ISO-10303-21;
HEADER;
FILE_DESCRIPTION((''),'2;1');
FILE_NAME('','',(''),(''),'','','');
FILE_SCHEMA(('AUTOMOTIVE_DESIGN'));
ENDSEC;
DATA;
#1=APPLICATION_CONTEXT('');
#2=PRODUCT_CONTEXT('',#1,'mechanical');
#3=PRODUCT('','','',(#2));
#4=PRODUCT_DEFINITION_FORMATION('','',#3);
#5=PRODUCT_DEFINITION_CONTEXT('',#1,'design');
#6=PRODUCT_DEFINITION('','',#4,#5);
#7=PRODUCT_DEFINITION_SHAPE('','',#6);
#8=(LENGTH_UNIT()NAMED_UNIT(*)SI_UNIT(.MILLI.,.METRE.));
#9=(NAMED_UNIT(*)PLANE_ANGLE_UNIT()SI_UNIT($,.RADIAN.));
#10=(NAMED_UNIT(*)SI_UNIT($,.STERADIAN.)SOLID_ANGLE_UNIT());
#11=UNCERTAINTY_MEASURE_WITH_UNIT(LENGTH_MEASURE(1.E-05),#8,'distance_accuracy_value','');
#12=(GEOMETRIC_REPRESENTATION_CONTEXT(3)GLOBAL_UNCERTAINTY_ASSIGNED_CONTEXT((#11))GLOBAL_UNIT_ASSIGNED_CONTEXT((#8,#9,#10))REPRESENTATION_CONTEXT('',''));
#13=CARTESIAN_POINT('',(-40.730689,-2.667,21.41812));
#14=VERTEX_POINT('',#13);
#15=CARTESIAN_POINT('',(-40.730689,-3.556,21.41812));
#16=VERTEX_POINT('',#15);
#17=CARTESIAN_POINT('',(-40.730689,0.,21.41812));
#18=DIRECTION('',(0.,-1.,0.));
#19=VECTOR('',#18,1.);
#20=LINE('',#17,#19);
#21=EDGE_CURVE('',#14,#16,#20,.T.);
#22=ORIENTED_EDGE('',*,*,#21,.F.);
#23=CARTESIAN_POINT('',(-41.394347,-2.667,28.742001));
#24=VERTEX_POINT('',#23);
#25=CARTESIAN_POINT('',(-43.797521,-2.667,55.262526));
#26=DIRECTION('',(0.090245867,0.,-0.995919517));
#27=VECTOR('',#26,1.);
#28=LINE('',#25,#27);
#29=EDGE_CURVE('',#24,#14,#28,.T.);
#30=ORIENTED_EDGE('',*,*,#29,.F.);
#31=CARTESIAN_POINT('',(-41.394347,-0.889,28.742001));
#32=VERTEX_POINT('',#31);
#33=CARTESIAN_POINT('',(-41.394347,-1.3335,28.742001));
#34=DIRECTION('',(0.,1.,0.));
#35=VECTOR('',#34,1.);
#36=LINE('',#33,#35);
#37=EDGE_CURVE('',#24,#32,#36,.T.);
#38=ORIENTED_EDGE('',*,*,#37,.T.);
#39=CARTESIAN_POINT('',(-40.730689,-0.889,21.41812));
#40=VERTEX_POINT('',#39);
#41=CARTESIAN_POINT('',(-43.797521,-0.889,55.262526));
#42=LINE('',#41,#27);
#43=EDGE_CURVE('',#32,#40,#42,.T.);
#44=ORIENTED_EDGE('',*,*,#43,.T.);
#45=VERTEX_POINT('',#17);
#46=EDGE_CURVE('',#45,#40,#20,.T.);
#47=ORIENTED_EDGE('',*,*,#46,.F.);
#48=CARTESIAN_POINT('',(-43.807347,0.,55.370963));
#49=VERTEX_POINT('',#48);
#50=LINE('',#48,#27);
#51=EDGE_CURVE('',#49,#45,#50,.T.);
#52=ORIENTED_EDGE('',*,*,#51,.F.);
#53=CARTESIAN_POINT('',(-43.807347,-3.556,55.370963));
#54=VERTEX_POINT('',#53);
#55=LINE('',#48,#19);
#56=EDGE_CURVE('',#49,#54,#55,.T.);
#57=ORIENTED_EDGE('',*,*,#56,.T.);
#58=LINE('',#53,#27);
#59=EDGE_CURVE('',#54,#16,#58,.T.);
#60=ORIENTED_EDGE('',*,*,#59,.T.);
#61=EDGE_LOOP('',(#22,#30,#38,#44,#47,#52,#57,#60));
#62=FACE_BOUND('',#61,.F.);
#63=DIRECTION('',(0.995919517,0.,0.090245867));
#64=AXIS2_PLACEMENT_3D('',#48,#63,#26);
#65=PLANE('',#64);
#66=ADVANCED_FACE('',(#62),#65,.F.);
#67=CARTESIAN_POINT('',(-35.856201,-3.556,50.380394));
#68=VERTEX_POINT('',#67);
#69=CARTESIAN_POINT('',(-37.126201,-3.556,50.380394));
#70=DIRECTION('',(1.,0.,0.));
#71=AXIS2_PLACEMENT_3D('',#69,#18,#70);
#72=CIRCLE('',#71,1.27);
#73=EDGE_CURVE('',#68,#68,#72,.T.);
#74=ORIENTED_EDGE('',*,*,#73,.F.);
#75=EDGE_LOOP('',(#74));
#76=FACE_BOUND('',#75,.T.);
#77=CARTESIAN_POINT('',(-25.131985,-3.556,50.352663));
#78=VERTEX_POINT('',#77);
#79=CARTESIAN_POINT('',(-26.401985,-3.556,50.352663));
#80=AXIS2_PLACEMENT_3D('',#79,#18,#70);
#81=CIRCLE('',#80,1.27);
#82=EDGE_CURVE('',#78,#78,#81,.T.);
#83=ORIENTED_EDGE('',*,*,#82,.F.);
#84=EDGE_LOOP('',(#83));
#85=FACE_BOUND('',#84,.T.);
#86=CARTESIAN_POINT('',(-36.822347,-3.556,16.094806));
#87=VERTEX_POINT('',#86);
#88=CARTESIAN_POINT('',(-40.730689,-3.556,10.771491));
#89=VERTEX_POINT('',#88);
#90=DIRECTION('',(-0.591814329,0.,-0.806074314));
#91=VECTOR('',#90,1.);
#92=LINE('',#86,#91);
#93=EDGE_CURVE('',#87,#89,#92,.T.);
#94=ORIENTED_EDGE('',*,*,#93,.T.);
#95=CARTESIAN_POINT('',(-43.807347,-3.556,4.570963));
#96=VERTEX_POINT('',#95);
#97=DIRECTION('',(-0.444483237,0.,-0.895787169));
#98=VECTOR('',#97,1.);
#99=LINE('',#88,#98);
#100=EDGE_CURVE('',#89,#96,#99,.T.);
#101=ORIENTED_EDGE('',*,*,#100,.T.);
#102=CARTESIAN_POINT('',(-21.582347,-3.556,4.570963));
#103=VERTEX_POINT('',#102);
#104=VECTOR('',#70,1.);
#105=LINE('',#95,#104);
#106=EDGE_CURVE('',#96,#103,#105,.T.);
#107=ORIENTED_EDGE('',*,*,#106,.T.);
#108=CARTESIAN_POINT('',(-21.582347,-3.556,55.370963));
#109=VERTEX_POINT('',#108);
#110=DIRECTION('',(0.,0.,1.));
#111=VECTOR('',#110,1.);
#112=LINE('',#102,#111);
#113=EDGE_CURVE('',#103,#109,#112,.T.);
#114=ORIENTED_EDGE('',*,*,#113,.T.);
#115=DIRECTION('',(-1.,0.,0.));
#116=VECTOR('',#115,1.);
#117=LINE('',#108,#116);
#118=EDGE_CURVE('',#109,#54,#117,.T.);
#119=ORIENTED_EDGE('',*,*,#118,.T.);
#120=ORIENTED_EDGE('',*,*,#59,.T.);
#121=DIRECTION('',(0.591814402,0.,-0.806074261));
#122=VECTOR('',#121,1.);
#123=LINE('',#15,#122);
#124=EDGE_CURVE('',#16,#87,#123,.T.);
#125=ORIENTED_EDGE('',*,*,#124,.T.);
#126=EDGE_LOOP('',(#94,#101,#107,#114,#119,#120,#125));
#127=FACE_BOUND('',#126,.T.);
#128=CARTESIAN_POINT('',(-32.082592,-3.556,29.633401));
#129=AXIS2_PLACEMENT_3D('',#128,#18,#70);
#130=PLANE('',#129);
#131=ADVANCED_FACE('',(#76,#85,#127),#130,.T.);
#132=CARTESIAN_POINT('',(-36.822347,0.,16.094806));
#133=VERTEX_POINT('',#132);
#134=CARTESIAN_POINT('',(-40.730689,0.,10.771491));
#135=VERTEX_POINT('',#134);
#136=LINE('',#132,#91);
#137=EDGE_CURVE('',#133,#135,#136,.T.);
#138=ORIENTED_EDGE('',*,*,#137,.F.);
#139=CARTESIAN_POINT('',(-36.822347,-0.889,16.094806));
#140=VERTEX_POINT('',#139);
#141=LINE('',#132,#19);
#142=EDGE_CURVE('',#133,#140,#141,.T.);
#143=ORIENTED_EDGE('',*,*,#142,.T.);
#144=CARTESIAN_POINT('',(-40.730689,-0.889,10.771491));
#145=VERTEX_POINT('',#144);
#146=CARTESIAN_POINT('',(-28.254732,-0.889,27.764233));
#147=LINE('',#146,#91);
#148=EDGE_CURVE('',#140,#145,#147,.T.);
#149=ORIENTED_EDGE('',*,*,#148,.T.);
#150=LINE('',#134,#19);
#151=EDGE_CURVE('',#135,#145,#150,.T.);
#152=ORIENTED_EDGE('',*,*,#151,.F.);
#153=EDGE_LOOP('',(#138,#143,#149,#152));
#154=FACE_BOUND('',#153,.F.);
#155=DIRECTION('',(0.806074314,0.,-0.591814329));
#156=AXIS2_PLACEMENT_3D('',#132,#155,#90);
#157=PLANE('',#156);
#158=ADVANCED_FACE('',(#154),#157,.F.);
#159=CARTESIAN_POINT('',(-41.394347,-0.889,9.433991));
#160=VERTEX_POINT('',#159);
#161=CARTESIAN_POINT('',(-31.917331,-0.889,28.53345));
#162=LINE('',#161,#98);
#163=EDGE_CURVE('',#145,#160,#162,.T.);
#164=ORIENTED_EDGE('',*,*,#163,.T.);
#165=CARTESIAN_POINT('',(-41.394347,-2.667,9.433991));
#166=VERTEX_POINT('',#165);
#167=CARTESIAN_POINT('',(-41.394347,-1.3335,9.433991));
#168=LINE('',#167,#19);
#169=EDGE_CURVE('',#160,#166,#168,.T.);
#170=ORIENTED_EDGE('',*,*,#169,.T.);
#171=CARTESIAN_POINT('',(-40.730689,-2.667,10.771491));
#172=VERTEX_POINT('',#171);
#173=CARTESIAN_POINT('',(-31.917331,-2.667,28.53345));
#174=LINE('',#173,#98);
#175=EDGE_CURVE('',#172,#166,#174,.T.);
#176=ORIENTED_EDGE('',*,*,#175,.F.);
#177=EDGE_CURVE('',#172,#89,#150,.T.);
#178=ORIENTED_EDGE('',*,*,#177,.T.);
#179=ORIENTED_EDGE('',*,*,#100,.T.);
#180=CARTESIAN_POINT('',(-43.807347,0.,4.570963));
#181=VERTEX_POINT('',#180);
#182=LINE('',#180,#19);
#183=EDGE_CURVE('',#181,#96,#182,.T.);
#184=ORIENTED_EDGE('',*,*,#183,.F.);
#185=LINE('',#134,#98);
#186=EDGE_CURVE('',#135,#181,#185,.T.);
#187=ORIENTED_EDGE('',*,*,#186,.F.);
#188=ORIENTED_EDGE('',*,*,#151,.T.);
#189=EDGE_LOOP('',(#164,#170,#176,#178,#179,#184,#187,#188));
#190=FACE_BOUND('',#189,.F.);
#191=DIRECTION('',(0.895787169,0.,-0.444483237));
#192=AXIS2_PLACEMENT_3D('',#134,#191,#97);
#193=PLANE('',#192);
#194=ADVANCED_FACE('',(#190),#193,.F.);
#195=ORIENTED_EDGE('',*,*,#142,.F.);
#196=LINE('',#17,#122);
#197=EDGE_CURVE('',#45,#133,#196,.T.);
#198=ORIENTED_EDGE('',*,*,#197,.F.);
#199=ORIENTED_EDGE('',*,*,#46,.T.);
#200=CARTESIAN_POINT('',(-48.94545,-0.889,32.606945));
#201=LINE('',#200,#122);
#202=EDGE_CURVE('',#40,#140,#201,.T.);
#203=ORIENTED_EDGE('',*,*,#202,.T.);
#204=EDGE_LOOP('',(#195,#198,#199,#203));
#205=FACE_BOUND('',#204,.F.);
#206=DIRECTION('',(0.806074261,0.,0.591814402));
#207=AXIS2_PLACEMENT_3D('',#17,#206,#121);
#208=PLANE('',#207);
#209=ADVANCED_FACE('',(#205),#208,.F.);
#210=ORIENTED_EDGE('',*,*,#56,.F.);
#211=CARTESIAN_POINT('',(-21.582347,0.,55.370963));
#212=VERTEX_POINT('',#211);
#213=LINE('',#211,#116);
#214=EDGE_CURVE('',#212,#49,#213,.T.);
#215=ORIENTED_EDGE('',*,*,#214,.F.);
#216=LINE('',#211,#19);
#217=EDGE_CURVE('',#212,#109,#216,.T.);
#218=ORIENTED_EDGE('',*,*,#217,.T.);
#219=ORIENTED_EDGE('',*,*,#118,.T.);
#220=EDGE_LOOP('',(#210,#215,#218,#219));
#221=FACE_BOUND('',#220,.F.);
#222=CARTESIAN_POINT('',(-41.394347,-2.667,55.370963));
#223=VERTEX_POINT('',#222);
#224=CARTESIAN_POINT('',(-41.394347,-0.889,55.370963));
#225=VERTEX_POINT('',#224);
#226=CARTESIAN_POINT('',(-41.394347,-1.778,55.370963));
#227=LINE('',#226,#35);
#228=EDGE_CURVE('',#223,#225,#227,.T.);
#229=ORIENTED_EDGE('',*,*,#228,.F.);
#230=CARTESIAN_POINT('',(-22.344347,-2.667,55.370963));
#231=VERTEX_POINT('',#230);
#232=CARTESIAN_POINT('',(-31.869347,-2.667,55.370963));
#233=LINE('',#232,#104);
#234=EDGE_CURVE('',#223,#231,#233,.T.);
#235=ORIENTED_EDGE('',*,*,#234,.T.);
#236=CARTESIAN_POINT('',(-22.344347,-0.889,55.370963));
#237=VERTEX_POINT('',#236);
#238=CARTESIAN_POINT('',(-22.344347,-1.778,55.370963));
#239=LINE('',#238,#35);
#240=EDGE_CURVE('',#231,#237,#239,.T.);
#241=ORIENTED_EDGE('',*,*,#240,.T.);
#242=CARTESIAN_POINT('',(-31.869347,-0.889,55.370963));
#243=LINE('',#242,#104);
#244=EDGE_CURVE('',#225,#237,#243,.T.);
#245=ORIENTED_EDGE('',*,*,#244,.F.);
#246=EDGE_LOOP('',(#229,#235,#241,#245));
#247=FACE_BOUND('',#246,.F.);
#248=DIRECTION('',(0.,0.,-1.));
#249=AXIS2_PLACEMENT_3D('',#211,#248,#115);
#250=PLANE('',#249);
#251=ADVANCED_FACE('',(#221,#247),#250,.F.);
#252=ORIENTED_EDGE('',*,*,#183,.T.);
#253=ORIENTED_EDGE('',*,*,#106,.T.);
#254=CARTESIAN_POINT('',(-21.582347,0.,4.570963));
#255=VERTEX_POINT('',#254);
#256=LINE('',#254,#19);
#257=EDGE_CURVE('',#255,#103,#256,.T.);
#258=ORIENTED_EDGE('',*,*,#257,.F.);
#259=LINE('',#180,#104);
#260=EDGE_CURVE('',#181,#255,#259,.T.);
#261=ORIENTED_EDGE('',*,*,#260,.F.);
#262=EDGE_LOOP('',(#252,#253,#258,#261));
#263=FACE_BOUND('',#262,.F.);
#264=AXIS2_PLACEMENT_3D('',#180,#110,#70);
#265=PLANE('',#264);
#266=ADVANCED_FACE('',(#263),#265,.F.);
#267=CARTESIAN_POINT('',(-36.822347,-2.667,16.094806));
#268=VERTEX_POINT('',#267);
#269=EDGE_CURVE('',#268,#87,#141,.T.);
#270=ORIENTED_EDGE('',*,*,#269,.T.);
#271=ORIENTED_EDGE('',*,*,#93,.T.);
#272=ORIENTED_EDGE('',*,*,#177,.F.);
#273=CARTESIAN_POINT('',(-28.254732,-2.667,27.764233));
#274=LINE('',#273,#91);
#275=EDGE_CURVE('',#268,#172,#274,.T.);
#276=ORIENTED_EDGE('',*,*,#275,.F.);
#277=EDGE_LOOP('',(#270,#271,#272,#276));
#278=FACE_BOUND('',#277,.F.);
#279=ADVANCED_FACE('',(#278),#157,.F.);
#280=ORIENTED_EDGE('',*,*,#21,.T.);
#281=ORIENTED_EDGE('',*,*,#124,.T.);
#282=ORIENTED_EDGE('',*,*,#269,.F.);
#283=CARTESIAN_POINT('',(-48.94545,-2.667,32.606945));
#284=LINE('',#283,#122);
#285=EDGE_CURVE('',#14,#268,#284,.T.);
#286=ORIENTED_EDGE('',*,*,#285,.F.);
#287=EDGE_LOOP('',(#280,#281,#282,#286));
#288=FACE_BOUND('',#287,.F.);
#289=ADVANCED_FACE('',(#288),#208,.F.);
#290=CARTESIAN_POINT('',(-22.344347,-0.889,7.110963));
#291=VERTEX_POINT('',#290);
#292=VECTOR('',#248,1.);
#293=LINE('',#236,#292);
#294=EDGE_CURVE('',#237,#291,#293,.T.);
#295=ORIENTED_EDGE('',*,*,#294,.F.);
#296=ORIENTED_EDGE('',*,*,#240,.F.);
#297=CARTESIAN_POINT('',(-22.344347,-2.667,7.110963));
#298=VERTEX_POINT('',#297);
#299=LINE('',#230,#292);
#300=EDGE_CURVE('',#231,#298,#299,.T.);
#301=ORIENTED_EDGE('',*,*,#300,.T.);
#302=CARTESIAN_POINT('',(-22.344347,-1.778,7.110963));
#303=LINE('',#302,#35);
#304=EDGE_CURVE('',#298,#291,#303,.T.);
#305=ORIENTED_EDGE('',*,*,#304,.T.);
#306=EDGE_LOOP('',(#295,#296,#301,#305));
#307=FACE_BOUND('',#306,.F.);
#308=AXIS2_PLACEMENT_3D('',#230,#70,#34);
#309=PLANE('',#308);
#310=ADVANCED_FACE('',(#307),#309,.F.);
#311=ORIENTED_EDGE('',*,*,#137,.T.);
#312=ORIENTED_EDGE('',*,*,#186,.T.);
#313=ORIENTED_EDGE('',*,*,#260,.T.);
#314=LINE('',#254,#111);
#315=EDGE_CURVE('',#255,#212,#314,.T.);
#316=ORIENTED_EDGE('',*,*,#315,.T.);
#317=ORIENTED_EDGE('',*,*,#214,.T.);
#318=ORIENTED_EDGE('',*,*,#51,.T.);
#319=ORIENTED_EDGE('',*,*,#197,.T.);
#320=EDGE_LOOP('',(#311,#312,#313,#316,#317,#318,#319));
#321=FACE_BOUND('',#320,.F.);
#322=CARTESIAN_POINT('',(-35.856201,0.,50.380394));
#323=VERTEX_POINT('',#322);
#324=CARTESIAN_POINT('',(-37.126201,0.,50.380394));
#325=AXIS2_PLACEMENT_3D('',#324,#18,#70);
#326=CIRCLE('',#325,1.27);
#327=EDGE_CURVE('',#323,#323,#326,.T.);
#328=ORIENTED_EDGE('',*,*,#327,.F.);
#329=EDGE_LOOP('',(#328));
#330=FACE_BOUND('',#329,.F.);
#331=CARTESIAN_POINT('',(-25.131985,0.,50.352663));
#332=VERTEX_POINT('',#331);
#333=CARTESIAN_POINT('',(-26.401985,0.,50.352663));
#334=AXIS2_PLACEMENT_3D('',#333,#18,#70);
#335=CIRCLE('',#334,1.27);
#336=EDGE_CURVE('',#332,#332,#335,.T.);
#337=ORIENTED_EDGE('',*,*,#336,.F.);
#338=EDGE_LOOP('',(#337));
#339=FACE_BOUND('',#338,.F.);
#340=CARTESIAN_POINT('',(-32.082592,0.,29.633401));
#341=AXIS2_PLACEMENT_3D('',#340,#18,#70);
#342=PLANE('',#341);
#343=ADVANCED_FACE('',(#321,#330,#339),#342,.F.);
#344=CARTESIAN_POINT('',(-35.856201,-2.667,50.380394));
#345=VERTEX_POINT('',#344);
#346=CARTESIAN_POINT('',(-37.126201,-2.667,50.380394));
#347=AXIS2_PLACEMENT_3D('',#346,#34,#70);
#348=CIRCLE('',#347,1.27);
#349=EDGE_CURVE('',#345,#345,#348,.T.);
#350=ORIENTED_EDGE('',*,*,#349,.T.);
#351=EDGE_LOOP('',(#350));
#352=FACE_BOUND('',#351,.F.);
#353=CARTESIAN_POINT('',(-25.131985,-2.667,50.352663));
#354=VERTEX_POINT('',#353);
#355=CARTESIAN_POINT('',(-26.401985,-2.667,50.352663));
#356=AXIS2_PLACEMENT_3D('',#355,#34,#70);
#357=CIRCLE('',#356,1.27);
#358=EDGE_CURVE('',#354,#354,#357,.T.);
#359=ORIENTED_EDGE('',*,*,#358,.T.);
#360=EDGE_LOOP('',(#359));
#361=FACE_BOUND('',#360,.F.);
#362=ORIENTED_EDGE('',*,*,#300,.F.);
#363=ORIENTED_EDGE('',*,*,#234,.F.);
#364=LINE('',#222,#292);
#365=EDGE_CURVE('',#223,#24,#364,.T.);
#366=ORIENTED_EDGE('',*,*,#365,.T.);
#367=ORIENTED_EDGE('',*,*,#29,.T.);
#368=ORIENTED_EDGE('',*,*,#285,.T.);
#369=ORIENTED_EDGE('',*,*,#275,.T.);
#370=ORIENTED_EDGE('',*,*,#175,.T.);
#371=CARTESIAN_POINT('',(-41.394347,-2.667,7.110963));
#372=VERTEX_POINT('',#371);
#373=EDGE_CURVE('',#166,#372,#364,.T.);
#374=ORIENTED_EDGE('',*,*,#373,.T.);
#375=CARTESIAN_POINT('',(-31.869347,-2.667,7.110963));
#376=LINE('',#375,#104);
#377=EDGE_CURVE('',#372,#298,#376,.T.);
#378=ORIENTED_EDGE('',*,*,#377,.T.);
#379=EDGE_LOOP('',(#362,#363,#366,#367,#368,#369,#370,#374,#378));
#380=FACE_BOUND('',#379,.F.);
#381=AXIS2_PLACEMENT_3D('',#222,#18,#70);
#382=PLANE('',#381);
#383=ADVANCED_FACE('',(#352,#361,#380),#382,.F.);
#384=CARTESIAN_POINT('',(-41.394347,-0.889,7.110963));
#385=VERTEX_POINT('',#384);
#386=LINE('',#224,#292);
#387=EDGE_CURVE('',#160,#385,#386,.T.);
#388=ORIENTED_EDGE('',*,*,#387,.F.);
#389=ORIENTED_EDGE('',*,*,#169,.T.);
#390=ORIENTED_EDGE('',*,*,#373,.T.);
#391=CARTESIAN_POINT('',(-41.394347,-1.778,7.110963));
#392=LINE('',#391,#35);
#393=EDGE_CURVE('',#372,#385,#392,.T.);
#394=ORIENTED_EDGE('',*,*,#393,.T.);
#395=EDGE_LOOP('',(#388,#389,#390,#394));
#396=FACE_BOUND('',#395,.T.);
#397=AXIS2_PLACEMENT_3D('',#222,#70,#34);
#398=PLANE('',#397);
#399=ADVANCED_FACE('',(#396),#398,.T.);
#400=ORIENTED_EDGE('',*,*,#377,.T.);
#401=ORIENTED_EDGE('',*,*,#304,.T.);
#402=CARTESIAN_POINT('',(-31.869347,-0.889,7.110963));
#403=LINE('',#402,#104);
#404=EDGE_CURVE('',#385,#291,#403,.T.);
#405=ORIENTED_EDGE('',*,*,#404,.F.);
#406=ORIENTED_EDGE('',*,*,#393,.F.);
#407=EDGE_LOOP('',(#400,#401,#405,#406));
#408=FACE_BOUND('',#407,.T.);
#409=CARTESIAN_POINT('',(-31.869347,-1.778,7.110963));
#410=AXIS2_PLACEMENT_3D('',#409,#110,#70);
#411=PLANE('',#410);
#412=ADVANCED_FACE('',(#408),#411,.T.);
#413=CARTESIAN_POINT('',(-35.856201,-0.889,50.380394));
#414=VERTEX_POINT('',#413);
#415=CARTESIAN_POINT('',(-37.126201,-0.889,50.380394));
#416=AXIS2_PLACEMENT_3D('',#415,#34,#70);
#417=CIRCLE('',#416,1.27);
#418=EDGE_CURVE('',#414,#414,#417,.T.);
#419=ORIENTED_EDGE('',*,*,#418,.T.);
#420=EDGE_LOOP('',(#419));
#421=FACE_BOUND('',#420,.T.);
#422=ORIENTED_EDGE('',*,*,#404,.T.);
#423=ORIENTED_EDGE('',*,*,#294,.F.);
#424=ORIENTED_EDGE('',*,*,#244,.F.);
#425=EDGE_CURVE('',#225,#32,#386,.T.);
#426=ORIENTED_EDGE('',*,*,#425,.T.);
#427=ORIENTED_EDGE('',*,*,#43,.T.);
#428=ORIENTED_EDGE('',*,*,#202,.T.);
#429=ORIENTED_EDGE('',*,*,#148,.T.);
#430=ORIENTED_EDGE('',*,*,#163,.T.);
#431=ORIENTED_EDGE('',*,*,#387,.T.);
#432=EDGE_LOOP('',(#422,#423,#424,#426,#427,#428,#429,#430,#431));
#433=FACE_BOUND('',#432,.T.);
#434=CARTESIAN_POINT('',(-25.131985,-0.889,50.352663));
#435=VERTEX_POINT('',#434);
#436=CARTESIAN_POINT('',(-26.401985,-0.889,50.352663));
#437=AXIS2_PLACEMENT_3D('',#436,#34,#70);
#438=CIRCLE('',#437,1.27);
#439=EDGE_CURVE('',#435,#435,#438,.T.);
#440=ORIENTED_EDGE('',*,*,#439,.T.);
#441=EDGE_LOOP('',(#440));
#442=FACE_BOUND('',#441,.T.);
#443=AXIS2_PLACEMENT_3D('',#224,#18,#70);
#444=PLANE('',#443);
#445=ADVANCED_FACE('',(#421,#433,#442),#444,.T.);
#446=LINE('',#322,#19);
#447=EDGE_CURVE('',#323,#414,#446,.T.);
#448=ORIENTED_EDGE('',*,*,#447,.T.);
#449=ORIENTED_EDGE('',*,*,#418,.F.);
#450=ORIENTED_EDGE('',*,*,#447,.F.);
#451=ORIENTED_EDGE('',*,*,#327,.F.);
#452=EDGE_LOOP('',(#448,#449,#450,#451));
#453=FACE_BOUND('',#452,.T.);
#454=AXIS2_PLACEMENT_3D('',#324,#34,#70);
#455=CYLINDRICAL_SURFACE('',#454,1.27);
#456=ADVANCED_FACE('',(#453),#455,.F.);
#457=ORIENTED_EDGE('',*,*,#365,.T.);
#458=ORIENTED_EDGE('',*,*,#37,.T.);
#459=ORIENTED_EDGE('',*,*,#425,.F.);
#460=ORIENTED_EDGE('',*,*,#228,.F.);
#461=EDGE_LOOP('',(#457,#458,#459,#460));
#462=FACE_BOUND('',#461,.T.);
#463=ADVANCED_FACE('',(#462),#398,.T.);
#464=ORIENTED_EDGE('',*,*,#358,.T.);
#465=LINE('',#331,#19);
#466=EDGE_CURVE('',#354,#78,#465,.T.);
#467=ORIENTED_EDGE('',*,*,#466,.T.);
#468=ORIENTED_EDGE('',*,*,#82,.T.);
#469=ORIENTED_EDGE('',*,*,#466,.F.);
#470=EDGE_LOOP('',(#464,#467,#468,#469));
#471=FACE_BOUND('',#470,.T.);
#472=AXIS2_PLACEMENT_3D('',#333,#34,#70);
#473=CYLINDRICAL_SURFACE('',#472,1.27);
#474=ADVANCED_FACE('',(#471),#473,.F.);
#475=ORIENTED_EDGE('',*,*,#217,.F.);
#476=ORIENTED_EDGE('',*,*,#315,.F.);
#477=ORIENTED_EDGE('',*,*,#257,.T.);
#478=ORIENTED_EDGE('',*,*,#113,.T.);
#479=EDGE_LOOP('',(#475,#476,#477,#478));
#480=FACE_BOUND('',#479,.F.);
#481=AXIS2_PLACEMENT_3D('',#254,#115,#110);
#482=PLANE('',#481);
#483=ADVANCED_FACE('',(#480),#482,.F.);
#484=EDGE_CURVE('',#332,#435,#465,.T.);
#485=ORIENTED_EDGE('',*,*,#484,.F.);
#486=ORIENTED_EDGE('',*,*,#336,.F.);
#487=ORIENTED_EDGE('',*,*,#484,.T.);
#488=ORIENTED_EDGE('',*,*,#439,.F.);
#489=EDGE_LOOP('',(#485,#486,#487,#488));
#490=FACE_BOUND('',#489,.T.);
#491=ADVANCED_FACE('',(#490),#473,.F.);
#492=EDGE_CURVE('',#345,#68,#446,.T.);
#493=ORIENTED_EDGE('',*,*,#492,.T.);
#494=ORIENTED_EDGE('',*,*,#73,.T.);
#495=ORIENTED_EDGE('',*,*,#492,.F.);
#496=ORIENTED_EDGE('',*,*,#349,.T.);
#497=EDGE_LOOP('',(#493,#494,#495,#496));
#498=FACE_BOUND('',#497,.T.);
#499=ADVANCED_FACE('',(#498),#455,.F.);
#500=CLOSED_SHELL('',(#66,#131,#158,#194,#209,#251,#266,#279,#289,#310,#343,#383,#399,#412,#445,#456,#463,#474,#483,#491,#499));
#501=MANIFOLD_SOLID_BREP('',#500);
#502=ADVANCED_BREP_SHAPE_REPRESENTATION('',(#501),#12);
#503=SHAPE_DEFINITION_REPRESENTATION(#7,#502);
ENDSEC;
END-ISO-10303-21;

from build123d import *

# Parameters (mm, degrees)
F0_R     = 1.27
F1_DEPTH = 3.556
F2_W     = 19.05
F2_H     = 1.778
F3_DEPTH = 48.26


with BuildPart() as f1:
    # F0 (on Front) → F1 (new body)
    with BuildSketch(Plane.XZ):
        Polygon((-21.582347, 55.370963), (-43.807347, 55.370963), (-40.730689, 21.41812), (-36.822347, 16.094806), (-40.730689, 10.771491), (-43.807347, 4.570963), (-21.582347, 4.570963), align=None)
        with Locations((-37.126201, 50.380394)):
            Circle(F0_R, mode=Mode.SUBTRACT)
        with Locations((-26.401985, 50.352663)):
            Circle(F0_R, mode=Mode.SUBTRACT)
    extrude(amount=F1_DEPTH)

    # F2 (on face) → F3 (cut)
    with BuildSketch(Plane.XY.offset(55.370963)):
        with Locations((-31.869347, -1.778)):
            Rectangle(F2_W, F2_H)
    extrude(amount=-F3_DEPTH, mode=Mode.SUBTRACT)


solid = f1.part
